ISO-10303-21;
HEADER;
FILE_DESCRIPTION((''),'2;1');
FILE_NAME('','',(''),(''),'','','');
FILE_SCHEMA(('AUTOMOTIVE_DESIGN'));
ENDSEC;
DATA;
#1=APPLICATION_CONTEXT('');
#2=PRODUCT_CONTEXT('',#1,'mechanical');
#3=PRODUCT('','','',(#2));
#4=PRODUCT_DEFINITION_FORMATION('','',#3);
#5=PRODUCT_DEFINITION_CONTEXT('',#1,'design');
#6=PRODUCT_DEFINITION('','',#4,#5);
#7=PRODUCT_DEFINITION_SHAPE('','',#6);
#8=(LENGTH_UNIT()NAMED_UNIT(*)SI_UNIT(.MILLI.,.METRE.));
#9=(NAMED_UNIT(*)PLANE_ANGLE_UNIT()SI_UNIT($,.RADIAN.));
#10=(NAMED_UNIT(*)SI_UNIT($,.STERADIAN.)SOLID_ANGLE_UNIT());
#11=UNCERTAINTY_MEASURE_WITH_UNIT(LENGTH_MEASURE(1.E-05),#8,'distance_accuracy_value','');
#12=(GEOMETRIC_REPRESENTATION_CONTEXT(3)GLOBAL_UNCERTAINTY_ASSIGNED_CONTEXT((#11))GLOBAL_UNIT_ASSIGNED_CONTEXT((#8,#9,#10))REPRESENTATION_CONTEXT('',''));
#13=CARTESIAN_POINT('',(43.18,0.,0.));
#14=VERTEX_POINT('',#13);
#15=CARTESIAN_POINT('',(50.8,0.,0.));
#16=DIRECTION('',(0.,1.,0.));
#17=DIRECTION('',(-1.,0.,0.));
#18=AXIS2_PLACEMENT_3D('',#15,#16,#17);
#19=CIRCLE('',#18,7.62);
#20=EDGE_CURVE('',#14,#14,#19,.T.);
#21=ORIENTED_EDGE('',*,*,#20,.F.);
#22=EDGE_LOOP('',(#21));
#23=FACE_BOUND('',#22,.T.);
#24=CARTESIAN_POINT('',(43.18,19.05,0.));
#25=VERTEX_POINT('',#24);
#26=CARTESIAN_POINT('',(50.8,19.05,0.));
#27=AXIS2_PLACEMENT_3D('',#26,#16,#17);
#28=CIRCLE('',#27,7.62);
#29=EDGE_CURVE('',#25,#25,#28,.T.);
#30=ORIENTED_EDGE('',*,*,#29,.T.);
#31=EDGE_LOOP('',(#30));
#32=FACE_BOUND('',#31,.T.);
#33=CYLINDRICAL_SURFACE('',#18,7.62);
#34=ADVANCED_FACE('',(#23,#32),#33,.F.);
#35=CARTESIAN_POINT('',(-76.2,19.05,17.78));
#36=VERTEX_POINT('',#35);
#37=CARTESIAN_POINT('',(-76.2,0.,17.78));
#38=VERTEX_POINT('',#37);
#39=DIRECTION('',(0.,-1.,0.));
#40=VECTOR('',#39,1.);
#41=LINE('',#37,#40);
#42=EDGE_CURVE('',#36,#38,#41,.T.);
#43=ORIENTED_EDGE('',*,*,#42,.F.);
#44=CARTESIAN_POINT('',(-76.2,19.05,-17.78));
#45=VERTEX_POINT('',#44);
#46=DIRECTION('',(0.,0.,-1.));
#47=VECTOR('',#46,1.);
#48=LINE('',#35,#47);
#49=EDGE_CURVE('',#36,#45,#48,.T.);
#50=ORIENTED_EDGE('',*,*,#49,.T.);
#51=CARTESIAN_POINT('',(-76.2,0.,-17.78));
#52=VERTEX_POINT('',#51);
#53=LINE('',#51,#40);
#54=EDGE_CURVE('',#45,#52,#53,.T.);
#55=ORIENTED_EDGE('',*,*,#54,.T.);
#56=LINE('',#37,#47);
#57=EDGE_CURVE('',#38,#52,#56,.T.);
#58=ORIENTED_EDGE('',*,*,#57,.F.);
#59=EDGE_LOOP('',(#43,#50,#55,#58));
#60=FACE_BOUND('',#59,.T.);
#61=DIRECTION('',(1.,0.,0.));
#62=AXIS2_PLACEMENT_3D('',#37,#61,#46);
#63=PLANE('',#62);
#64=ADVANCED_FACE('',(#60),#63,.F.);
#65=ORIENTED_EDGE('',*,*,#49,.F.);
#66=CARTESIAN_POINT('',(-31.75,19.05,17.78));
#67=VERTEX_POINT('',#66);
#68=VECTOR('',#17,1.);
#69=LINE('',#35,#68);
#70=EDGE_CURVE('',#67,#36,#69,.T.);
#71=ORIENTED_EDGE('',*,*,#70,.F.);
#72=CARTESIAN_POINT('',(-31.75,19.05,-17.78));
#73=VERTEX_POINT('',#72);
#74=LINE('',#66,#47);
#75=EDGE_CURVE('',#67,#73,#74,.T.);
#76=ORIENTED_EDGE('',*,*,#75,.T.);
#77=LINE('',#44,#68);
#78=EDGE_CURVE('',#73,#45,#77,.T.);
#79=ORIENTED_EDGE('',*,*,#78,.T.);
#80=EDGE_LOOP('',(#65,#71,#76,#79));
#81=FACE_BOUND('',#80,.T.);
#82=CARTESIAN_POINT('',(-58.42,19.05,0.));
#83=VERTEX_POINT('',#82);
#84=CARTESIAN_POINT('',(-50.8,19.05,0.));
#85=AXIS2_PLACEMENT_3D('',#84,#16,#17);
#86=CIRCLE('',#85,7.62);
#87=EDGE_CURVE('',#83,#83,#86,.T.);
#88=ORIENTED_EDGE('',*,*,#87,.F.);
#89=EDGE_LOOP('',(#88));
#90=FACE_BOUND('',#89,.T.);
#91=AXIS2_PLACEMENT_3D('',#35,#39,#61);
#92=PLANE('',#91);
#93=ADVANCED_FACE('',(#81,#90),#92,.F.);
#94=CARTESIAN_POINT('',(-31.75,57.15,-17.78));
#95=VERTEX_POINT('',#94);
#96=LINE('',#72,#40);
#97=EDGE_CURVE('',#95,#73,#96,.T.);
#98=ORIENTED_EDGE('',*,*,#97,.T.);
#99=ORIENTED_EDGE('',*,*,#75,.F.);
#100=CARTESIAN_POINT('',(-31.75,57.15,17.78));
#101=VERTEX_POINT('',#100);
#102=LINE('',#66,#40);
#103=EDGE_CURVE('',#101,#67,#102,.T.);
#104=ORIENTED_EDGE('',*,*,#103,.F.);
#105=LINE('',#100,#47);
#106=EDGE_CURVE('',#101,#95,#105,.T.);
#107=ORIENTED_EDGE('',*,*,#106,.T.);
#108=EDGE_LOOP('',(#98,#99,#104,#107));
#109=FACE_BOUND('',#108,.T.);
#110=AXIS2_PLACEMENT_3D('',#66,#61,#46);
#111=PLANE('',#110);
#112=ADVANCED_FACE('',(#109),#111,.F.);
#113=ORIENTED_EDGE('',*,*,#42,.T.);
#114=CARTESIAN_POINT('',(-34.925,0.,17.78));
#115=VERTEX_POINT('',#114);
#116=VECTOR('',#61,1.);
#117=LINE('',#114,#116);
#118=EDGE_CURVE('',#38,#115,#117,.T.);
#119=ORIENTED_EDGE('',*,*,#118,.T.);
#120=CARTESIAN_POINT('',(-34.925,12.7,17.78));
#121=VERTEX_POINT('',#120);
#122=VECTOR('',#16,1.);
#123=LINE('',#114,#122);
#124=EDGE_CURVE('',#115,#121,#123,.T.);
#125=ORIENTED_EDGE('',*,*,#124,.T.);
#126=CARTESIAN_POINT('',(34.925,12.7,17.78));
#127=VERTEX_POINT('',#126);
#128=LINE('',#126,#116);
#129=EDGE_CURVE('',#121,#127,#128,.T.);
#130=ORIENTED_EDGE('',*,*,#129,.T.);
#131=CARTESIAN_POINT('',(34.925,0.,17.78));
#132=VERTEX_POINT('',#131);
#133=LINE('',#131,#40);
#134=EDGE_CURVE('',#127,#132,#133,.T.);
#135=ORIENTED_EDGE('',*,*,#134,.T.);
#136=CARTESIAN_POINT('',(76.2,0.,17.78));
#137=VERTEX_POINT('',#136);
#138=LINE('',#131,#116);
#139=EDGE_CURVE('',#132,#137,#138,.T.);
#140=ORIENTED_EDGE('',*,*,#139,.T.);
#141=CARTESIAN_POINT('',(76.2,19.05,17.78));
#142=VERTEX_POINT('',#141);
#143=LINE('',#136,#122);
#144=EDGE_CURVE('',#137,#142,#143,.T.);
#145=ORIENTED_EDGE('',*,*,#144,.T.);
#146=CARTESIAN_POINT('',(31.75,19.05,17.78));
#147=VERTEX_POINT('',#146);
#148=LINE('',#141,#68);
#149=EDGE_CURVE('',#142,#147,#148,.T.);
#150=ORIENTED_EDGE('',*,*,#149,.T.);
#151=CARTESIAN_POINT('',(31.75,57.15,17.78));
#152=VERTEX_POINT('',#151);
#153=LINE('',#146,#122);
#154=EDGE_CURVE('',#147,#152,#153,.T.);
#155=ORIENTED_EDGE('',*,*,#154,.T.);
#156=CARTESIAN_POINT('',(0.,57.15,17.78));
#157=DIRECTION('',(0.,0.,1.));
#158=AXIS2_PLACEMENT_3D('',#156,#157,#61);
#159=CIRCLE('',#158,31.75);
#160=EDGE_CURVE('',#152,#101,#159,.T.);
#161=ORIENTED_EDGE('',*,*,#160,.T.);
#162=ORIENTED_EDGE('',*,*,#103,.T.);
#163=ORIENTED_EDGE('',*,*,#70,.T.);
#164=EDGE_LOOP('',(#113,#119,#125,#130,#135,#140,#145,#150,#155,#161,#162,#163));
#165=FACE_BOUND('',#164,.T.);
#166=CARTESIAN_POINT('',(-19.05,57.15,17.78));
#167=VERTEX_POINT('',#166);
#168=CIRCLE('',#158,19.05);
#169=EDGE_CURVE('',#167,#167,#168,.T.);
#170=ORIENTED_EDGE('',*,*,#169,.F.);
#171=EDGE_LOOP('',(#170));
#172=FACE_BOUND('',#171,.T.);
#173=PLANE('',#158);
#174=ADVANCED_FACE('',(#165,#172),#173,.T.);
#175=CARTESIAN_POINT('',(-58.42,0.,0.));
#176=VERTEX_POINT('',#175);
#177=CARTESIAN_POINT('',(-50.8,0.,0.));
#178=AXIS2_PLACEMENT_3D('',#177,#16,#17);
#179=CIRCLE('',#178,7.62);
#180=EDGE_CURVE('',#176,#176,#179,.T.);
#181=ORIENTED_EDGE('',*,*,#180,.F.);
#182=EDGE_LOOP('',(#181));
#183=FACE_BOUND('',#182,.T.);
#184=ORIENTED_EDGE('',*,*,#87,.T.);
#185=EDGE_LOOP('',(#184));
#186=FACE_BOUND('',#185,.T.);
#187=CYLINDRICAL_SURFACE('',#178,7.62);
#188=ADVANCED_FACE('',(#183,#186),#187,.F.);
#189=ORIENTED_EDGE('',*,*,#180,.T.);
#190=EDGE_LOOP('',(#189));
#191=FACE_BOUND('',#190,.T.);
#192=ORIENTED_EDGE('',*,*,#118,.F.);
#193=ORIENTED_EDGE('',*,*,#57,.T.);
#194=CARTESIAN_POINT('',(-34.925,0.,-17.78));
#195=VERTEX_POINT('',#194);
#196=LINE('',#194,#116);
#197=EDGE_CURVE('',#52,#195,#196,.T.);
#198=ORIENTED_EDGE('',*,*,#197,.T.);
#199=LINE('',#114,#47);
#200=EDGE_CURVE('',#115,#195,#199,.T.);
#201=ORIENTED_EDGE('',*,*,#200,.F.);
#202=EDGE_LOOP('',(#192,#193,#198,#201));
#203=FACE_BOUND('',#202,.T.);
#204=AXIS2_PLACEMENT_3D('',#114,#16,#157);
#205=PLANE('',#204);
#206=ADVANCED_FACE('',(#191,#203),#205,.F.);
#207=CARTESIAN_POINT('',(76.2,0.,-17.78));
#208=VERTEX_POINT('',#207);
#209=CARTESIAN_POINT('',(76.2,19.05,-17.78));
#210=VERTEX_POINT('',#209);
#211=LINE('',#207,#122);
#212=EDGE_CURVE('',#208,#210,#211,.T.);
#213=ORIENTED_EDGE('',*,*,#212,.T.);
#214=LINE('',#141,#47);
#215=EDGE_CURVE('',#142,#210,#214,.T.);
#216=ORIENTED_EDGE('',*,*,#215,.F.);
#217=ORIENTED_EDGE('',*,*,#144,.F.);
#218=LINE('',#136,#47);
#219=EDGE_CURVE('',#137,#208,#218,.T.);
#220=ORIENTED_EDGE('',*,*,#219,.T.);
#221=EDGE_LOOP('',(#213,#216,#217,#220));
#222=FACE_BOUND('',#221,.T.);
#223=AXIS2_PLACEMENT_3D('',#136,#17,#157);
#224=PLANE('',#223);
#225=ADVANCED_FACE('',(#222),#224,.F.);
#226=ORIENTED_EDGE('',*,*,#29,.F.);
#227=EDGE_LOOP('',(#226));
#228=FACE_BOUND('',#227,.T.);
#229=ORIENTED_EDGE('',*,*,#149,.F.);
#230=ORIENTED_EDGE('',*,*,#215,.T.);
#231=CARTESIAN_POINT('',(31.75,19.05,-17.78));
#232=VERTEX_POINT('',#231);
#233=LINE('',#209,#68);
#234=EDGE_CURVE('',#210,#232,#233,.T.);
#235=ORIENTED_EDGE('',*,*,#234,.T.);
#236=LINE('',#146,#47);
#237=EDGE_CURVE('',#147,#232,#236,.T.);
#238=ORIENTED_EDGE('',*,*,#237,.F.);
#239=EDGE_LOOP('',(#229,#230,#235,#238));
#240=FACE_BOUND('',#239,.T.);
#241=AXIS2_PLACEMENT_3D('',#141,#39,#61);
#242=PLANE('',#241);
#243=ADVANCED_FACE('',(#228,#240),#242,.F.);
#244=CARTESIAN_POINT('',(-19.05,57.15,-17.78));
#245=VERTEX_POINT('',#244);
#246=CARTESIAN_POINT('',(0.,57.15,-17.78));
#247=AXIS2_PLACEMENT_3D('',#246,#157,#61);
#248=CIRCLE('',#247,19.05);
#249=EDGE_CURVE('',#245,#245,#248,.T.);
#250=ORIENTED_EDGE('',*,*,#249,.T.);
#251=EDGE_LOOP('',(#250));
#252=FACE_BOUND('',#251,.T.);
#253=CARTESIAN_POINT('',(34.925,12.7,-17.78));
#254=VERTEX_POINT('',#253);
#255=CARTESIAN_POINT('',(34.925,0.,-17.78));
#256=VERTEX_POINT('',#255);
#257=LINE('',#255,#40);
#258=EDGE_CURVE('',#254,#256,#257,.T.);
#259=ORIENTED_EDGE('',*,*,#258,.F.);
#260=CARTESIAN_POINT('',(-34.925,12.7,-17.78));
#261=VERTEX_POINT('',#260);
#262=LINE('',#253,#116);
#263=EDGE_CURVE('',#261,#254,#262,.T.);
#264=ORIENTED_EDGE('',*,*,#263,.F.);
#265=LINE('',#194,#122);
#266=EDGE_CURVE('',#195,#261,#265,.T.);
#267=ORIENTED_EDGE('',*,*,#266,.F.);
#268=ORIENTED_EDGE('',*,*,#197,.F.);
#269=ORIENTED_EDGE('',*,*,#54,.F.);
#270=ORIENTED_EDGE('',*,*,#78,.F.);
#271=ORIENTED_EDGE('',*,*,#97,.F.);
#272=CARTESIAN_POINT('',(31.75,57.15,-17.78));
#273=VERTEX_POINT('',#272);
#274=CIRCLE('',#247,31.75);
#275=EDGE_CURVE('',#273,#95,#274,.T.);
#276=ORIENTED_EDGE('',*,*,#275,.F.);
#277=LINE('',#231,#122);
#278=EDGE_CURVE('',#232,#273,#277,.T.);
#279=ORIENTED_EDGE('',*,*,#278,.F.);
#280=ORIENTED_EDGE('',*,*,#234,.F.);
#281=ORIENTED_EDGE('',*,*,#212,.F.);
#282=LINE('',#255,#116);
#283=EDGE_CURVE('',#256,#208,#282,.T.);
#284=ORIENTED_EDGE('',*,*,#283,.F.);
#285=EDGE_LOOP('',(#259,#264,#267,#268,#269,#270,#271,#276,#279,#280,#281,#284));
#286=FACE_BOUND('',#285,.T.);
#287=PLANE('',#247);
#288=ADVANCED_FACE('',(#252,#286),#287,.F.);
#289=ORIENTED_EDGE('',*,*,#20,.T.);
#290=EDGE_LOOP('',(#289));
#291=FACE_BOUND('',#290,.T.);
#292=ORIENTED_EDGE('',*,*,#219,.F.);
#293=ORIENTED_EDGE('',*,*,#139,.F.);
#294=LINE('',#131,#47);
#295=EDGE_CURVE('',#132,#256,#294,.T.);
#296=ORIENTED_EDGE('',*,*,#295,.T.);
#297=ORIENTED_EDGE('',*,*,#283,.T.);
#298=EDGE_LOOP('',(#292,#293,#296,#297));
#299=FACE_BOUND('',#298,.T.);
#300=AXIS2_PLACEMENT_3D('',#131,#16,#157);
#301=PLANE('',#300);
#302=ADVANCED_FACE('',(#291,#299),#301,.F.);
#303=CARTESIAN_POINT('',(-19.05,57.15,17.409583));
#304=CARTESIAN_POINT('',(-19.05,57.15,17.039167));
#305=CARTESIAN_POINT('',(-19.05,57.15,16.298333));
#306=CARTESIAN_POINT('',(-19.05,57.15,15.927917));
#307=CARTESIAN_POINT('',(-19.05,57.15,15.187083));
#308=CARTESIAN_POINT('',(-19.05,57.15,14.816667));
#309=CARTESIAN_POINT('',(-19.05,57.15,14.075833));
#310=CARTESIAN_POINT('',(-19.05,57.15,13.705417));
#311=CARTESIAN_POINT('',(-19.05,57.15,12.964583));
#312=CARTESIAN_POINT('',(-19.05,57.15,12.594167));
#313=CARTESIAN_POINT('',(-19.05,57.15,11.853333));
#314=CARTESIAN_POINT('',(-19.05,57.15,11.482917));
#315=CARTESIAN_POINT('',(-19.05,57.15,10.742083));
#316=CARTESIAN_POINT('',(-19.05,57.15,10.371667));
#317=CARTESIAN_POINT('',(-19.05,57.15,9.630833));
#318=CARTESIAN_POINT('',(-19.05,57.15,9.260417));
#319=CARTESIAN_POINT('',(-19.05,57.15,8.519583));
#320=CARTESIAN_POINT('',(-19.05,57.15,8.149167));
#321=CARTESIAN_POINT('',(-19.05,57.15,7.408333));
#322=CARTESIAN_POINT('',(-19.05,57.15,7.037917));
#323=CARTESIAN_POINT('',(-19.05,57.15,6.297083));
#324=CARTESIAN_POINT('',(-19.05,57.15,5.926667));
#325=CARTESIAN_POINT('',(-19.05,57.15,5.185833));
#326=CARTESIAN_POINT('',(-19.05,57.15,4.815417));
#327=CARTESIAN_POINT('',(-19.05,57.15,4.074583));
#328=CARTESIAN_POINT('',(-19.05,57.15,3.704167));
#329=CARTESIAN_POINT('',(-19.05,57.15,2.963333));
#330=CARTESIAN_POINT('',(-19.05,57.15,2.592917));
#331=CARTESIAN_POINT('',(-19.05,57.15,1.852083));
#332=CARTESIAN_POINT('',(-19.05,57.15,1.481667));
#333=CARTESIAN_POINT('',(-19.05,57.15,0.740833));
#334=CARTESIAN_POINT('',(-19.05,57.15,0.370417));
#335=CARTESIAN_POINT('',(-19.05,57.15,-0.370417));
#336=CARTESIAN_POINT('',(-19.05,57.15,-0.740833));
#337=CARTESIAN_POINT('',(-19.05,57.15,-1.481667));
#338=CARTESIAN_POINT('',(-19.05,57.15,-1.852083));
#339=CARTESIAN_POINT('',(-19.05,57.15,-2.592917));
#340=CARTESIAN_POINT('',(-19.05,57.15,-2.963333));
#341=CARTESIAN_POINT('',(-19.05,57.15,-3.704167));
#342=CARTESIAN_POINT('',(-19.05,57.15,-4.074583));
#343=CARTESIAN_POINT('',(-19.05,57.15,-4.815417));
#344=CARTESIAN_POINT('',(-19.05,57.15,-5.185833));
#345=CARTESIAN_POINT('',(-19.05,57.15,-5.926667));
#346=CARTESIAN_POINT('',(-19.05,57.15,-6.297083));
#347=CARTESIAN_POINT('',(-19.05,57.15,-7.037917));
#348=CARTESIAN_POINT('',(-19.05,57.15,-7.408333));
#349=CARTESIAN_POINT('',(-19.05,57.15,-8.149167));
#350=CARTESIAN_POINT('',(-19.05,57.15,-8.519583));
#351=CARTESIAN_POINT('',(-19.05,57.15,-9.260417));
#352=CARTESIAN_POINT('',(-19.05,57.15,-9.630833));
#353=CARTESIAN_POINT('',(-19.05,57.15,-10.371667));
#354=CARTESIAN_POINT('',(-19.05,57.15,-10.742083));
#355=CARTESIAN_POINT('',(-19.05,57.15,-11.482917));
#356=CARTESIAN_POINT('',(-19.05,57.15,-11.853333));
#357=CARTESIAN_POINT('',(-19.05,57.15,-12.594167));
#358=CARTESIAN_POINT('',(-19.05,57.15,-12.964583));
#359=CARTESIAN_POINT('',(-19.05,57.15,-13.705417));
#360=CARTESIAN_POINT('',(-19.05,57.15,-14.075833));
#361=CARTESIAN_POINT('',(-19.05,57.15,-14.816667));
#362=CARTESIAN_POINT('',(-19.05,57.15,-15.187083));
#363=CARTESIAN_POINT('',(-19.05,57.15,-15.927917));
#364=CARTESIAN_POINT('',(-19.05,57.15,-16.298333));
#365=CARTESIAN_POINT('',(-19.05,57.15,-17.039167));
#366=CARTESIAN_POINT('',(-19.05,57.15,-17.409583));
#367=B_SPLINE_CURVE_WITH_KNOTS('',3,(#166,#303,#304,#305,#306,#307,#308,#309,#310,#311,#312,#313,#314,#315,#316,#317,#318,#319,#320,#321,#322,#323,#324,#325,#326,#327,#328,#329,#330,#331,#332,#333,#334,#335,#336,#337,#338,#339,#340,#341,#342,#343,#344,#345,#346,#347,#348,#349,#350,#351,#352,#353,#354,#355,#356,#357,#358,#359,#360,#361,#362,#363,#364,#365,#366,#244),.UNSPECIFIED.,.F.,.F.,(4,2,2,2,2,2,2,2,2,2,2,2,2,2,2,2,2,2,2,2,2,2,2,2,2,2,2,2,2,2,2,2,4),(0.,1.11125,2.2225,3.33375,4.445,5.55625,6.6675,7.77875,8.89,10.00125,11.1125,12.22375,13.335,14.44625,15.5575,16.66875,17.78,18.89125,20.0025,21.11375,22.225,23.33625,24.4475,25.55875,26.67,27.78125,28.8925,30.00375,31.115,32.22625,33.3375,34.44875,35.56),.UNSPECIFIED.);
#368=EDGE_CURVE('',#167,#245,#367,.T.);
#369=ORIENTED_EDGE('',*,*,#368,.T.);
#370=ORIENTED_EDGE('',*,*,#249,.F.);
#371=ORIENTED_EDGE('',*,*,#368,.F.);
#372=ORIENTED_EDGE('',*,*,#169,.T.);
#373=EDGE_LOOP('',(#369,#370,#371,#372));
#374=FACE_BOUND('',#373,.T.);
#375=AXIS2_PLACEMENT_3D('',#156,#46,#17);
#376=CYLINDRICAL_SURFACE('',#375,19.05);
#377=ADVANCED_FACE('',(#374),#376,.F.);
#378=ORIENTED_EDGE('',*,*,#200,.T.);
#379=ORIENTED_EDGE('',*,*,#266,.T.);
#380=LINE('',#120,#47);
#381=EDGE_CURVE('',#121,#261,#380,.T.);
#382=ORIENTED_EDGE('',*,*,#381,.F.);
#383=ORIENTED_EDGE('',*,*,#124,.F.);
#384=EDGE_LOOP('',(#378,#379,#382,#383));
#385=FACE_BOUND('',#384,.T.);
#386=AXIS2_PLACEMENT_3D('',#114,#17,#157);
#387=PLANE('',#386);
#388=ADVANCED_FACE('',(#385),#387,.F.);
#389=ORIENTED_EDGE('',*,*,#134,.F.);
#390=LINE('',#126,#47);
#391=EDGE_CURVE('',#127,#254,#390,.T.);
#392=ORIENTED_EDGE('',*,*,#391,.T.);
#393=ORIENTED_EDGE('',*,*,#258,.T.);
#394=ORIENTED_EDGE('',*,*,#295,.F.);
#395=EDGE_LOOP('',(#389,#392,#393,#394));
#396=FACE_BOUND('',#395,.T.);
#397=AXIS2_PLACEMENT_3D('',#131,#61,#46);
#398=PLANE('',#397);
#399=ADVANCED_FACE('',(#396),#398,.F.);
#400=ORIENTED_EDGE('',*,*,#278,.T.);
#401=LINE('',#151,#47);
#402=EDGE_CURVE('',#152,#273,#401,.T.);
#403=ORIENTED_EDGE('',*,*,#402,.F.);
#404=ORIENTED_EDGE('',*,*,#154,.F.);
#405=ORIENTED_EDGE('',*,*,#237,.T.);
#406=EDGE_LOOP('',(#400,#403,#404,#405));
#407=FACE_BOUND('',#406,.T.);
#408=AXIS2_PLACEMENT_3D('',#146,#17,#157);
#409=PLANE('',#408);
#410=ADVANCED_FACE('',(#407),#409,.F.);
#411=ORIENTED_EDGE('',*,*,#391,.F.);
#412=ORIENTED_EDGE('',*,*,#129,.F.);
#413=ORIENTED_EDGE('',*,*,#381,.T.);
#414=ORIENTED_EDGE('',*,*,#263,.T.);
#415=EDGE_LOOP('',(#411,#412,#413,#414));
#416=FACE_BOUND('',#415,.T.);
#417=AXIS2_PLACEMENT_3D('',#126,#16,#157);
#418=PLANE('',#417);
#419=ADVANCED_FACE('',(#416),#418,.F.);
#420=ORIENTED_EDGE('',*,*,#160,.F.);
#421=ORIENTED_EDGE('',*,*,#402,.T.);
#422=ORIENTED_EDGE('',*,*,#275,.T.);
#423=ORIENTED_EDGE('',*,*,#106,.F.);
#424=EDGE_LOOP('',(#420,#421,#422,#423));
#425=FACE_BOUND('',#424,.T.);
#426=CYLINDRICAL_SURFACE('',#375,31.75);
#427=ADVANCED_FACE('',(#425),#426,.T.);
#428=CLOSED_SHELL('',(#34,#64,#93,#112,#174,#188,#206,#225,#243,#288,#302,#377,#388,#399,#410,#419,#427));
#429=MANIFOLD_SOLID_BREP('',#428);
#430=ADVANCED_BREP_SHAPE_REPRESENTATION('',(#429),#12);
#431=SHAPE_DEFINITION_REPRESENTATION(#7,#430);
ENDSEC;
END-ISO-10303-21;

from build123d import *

# Parameters (mm, degrees)
SKETCH2_R           = 19.05
BOSS_EXTRUDE1_DEPTH = 17.78
SKETCH3_R           = 7.62
CUT_EXTRUDE1_DEPTH  = 105.888468861


with BuildPart() as part:
    # Sketch2 → Boss-Extrude1 (new, symmetric)
    with BuildSketch(Plane.XY):
        with BuildLine():
            Line((34.925, 0), (76.2, 0))
            Line((76.2, 0), (76.2, 19.05))
            Line((76.2, 19.05), (31.75, 19.05))
            Line((31.75, 19.05), (31.75, 57.15))
            ThreePointArc((31.75, 57.15), (0, 88.9), (-31.75, 57.15))
            Line((-31.75, 57.15), (-31.75, 19.05))
            Line((-31.75, 19.05), (-76.2, 19.05))
            Line((-76.2, 19.05), (-76.2, 0))
            Line((-76.2, 0), (-34.925, 0))
            Line((-34.925, 0), (-34.925, 12.7))
            Line((-34.925, 12.7), (34.925, 12.7))
            Line((34.925, 12.7), (34.925, 0))
        make_face()
        with Locations(Location((0, 57.15, 0), (0, 0, 180))):
            Circle(SKETCH2_R, mode=Mode.SUBTRACT)
    extrude(amount=BOSS_EXTRUDE1_DEPTH, both=True)

    # Sketch3 → Cut-Extrude1 (cut, through all)
    with BuildSketch(Plane(origin=(0, 19.05, 0), x_dir=(1, 0, 0), z_dir=(0, 1, 0))):
        with Locations(Location((-50.8, 0, 0), (0, 0, 180))):
            Circle(SKETCH3_R)
        with Locations(Location((50.8, 0, 0), (0, 0, 180))):
            Circle(SKETCH3_R)
    extrude(amount=-CUT_EXTRUDE1_DEPTH, mode=Mode.SUBTRACT)


solid = part.part
